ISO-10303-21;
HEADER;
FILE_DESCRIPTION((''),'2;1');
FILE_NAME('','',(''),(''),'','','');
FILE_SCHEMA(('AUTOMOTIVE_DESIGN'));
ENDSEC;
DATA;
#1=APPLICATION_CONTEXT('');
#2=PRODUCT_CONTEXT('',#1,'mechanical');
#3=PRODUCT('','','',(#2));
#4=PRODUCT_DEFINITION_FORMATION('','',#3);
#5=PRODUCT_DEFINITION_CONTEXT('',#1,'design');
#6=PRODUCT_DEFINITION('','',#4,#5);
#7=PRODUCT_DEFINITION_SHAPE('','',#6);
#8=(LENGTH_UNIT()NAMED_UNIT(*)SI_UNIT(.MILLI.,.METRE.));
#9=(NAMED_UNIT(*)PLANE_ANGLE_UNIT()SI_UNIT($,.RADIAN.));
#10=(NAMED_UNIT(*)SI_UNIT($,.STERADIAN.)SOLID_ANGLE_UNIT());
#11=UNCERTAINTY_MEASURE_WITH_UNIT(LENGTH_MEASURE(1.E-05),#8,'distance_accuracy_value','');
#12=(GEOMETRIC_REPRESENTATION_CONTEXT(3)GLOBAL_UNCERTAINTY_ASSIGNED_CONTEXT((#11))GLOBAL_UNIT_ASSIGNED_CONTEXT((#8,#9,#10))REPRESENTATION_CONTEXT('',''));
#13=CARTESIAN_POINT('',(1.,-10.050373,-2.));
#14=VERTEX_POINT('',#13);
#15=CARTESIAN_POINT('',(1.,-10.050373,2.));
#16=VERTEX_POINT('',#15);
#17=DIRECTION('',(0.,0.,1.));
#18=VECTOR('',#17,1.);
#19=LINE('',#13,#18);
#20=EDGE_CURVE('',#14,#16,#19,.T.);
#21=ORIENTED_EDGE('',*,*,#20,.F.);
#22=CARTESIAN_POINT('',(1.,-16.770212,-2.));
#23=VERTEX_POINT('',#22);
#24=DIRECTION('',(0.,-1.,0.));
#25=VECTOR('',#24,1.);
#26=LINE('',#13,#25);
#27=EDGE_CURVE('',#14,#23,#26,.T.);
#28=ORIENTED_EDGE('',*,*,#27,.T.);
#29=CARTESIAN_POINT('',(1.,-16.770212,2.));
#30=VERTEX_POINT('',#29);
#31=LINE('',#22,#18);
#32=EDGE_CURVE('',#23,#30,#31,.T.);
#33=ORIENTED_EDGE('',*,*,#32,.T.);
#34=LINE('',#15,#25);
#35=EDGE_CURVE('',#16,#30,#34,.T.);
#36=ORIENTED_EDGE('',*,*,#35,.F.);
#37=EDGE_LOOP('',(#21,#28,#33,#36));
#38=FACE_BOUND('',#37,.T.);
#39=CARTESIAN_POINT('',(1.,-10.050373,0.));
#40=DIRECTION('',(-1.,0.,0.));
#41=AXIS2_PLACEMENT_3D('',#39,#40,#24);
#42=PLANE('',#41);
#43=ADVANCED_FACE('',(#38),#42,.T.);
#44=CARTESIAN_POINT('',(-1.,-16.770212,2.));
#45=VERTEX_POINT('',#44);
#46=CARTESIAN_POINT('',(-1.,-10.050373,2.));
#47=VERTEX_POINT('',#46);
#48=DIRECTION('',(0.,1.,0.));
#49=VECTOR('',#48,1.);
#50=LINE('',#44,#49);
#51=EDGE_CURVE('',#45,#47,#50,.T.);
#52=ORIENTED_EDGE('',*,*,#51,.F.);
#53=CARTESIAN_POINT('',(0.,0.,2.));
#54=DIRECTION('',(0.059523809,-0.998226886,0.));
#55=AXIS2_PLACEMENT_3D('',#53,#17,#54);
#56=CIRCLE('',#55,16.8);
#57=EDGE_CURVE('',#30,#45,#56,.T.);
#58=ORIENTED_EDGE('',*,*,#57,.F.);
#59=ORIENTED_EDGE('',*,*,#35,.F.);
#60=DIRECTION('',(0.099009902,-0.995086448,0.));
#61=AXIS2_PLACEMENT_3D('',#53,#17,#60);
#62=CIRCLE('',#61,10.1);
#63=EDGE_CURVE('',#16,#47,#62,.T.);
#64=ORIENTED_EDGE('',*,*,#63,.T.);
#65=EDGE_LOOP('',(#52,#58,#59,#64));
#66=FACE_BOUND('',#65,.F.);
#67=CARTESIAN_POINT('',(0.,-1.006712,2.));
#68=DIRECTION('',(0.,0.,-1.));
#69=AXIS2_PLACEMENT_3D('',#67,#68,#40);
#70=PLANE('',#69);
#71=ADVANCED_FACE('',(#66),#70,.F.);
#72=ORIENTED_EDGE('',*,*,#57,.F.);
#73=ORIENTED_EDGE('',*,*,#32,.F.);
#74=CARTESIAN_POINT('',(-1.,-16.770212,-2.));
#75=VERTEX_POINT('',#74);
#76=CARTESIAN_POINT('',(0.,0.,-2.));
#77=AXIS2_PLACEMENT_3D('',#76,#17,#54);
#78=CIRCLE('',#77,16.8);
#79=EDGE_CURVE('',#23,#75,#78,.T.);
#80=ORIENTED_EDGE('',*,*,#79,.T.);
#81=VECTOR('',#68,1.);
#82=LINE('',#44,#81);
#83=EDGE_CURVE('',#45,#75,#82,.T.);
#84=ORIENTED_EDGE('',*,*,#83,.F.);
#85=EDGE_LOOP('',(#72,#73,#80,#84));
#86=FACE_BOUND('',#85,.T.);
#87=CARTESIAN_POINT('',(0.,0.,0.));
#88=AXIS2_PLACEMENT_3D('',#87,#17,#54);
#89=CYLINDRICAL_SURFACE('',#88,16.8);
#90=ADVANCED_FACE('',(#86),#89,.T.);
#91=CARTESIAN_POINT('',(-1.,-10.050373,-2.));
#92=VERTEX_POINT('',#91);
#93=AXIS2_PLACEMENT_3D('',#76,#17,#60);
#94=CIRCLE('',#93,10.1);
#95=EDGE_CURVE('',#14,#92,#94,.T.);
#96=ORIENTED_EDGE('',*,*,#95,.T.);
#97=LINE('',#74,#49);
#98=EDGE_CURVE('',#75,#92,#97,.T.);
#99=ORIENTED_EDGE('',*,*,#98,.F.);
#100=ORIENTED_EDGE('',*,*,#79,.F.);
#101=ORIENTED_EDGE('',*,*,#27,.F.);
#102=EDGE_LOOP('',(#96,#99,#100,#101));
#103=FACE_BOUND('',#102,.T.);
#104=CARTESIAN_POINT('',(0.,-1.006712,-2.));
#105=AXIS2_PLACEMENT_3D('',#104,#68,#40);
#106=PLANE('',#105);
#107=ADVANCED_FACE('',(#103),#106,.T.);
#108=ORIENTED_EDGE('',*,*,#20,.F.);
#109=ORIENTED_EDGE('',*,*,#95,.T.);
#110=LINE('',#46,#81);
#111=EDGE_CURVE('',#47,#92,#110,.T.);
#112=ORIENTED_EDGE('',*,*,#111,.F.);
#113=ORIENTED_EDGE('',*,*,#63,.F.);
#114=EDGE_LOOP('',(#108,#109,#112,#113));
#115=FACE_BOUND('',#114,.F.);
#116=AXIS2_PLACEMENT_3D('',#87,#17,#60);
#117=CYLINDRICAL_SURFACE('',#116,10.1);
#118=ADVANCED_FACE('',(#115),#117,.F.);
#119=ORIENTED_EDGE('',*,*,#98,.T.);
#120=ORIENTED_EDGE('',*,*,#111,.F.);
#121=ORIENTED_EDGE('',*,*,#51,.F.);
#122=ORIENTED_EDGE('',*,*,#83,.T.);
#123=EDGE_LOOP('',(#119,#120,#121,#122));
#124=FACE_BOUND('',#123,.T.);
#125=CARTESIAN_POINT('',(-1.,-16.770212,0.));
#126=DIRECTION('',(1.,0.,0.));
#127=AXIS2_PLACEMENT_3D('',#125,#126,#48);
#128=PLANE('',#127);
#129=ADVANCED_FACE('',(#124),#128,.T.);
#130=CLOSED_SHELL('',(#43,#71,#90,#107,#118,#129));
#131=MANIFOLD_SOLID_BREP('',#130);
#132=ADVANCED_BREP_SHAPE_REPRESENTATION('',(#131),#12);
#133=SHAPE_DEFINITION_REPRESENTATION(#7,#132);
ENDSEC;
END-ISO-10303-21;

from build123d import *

# Parameters (mm, degrees)
PAD_DEPTH = 2


with BuildPart() as part:
    # Sketch → Pad (new body, symmetric)
    with BuildSketch(Plane.XY):
        with BuildLine():
            ThreePointArc((1, -10.050373), (0, 10.1), (-1, -10.050373))
            Line((-1, -16.770212), (-1, -10.050373))
            ThreePointArc((1, -16.770212), (0, 16.8), (-1, -16.770212))
            Line((1, -10.050373), (1, -16.770212))
        make_face()
    extrude(amount=PAD_DEPTH, both=True)


solid = part.part
